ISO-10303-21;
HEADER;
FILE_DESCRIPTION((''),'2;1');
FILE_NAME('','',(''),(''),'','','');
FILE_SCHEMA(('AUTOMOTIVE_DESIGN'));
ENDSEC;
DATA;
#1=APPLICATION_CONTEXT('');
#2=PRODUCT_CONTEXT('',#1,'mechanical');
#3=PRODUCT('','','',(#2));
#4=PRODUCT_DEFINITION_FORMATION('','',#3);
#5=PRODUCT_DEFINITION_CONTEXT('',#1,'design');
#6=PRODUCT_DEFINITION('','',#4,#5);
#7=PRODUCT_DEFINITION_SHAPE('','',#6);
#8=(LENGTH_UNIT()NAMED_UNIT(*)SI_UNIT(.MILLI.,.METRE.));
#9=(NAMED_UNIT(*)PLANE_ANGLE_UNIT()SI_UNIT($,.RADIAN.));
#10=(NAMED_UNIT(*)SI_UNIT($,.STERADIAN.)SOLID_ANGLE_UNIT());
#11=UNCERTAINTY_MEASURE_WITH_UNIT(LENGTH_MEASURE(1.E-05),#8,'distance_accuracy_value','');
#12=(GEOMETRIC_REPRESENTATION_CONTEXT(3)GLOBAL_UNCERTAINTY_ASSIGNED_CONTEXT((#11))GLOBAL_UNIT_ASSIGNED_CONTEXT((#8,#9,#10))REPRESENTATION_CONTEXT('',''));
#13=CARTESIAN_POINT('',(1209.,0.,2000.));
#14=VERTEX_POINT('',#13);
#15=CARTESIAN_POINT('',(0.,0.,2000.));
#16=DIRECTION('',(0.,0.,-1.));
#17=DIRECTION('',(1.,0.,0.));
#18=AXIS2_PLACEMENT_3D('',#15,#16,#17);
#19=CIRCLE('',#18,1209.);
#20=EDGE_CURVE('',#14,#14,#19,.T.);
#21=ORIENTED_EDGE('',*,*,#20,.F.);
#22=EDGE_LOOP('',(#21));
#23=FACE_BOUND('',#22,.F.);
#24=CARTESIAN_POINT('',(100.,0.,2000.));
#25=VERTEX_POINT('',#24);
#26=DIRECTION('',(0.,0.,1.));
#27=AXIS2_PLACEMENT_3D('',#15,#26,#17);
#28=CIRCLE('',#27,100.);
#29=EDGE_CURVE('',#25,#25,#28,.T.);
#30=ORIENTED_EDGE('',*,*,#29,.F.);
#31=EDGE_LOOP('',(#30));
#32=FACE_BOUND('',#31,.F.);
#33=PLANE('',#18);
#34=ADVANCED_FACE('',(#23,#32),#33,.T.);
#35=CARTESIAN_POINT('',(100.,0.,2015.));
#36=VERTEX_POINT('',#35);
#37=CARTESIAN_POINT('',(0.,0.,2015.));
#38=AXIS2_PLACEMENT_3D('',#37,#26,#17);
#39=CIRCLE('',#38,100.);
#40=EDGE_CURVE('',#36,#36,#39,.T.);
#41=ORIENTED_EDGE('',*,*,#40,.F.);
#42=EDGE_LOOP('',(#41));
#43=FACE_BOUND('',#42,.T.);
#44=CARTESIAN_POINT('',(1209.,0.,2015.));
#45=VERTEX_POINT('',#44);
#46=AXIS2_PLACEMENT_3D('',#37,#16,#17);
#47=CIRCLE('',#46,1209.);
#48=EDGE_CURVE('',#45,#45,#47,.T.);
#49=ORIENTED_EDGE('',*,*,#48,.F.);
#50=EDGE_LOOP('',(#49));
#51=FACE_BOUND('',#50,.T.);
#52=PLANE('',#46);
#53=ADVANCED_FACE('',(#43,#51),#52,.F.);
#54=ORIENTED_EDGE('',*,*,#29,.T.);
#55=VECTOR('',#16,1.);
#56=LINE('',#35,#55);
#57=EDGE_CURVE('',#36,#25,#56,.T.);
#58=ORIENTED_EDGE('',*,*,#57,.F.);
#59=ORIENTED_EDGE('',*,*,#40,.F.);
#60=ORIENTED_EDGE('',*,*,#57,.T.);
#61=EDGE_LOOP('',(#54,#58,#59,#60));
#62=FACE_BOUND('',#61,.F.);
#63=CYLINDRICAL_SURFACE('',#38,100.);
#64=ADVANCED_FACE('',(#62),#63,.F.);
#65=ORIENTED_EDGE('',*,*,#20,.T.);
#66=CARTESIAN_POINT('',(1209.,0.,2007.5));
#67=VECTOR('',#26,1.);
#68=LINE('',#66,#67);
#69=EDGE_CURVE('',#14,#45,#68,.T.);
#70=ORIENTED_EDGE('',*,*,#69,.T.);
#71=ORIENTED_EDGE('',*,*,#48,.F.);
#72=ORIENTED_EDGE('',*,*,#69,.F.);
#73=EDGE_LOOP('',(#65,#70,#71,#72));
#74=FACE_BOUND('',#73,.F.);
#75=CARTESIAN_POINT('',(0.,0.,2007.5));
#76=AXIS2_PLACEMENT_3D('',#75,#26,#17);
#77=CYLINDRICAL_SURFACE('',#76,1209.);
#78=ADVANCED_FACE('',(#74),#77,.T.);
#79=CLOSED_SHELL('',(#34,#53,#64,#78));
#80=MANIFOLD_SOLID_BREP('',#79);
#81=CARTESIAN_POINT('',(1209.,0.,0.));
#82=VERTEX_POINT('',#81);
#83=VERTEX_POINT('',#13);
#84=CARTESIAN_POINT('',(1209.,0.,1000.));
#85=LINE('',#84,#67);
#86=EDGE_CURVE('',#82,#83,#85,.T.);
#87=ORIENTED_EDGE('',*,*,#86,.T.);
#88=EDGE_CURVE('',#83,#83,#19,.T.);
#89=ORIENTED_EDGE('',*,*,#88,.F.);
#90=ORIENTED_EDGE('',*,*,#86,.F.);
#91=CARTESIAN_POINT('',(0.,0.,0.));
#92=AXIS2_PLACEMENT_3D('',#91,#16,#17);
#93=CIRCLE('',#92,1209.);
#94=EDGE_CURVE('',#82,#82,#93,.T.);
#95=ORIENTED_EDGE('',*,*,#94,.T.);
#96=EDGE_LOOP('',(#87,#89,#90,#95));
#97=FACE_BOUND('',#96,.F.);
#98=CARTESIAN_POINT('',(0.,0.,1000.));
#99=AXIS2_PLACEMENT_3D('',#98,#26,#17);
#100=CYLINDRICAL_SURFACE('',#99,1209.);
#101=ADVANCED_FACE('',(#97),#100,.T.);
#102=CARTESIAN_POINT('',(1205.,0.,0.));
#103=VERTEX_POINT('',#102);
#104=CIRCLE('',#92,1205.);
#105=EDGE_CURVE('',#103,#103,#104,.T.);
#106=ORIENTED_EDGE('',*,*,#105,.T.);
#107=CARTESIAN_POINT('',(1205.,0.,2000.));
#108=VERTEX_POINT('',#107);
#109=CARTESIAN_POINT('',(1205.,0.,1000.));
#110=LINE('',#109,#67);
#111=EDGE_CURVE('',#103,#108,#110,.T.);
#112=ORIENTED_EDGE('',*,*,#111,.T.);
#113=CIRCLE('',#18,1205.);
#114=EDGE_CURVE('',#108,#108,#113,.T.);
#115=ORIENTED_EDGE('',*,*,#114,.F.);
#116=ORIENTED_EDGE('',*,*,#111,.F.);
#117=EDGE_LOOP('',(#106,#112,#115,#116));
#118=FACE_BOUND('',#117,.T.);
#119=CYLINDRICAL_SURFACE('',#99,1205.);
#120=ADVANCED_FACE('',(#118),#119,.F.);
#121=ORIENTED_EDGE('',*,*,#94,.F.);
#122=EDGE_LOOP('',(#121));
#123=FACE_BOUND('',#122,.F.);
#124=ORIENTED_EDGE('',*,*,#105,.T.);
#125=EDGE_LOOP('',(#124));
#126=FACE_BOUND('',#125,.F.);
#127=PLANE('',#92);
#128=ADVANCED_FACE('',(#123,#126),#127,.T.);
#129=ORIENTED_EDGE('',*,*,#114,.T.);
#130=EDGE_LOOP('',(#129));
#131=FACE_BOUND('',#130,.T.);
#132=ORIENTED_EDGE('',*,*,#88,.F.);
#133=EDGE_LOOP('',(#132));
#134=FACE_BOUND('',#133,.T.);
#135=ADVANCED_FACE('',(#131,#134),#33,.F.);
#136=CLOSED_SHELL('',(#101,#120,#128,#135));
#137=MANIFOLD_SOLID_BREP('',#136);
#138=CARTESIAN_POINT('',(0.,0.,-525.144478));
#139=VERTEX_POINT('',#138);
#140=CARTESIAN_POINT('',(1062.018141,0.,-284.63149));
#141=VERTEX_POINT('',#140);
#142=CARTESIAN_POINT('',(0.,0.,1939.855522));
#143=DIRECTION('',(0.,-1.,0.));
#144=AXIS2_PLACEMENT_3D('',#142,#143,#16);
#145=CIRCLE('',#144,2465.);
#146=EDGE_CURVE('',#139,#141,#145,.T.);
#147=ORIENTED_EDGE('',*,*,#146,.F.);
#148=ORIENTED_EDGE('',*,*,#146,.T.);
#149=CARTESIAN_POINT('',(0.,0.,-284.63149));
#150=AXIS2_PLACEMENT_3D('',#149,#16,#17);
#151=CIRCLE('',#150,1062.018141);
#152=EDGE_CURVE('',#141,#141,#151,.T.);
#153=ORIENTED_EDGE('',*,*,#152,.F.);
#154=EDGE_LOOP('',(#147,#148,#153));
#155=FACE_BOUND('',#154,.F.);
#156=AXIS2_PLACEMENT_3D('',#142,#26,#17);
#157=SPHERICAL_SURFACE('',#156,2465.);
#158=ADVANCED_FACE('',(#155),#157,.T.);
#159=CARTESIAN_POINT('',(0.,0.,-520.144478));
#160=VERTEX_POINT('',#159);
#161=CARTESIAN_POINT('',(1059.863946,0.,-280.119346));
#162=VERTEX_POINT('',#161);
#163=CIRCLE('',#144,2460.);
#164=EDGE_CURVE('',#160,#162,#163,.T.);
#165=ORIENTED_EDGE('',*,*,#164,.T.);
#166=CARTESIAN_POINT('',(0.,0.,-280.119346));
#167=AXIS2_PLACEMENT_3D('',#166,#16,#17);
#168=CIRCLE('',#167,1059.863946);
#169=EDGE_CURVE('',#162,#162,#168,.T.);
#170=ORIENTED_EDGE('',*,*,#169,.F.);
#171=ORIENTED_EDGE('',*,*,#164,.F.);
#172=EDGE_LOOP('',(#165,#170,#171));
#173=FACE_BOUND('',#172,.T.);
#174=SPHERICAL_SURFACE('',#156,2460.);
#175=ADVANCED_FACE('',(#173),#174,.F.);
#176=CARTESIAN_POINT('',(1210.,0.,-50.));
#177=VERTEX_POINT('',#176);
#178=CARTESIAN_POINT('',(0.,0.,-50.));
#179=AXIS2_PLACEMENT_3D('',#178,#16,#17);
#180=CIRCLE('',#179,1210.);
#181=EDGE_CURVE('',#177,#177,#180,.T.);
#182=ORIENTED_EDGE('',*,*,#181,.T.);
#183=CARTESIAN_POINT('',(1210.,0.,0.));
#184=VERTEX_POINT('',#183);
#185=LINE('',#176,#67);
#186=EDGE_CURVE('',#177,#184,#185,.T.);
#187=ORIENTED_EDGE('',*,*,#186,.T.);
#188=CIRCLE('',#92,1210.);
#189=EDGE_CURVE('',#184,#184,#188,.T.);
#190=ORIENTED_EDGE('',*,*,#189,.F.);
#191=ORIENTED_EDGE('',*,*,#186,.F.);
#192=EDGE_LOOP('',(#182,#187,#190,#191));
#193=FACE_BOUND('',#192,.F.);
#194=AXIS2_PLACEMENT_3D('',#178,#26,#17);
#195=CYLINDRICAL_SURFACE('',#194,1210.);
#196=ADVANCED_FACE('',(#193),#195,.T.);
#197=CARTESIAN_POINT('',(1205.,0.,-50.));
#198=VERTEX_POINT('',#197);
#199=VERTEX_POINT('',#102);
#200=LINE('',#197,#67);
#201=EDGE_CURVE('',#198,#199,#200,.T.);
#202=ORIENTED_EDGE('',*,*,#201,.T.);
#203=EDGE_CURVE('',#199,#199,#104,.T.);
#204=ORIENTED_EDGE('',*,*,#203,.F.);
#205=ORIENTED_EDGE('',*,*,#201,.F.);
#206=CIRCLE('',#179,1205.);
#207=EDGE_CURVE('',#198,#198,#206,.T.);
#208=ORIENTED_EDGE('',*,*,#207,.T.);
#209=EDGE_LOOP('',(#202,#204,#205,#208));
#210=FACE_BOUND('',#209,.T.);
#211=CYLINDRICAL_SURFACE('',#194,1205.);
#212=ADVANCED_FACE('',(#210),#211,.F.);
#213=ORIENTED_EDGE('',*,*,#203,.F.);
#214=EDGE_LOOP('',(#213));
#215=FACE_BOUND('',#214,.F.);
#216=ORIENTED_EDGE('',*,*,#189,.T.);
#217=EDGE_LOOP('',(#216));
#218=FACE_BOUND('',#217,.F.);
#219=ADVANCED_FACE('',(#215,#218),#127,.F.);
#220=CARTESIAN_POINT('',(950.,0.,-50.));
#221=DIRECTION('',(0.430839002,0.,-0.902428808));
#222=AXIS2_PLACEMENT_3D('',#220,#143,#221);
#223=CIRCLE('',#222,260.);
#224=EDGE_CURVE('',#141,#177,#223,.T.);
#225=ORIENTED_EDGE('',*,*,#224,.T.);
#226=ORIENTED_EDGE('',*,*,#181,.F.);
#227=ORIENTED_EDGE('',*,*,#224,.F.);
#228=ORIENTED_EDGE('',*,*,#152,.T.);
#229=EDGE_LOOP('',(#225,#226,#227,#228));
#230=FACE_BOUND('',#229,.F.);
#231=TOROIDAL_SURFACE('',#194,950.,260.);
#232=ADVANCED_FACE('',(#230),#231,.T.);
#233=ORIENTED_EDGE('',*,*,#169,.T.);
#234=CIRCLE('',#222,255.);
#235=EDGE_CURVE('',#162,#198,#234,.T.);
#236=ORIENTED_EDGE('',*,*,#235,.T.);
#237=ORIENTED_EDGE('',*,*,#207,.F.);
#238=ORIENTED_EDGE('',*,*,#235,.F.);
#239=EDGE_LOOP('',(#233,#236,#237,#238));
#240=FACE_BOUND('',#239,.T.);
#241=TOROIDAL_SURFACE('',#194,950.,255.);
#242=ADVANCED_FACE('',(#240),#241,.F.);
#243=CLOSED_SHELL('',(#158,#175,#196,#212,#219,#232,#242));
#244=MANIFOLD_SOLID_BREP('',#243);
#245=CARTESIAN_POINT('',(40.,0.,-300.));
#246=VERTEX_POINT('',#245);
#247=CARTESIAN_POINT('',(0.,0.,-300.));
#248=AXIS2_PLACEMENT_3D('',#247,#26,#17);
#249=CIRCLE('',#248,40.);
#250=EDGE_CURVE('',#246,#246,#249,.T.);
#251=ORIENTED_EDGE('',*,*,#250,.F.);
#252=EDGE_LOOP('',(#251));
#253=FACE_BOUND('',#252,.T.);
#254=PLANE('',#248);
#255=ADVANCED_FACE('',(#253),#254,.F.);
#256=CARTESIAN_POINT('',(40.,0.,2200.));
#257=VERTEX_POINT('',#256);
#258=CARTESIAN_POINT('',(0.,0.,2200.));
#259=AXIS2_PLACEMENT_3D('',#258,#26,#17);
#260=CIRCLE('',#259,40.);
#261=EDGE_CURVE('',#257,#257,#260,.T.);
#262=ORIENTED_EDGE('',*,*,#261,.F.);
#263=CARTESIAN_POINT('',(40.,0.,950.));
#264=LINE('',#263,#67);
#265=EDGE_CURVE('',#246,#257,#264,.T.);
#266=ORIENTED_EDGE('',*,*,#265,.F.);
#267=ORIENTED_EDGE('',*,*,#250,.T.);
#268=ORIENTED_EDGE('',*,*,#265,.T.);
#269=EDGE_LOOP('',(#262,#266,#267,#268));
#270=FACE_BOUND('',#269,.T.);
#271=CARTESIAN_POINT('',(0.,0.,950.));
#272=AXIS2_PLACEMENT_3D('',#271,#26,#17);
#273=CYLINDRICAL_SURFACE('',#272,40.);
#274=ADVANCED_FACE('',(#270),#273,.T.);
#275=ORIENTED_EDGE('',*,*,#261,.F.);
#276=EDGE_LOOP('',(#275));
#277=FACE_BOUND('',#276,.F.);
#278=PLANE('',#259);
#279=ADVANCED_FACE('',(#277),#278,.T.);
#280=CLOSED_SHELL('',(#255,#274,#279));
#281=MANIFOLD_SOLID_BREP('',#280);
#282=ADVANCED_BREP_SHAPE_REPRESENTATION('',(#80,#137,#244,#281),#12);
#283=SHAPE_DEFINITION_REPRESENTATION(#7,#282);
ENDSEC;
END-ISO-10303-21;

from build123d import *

# Parameters (mm, degrees)
F9_T     = -5
F10_W    = 4
F10_H    = 2000
F11_W    = 1209
F11_H    = 15
F3_R     = 100
F4_DEPTH = 2540.1454776065
F12_W    = 40
F12_H    = 2500


with BuildPart() as f8:
    # F0 (on Front) → F8 (revolve)
    with BuildSketch(Plane.XZ):
        with BuildLine():
            Line((0, 0), (0, -525.1444776065))
            ThreePointArc((0, -525.1444776065), (544.4559275248, -464.2644294772), (1062.0181405896, -284.6314901689))
            ThreePointArc((1062.0181405896, -284.6314901689), (1169.9144339889, -188.6998259673), (1210, -50))
            Line((1210, -50), (1210, 0))
            Line((1210, 0), (0, 0))
        make_face()
    revolve(axis=Axis((0, 0, -262.5722388032), (0, 0, -1)))

    # F9
    f9_openings = [f8.faces().sort_by_distance(p)[0] for p in [
        (0, 0, 0),
    ]]
    offset(amount=F9_T, openings=f9_openings)


with BuildPart() as f1:
    # F10 (on Front) → F1 (revolve)
    with BuildSketch(Plane.XZ):
        with Locations((1207, 1000)):
            Rectangle(F10_W, F10_H)
    revolve(axis=Axis((0, 0, -262.5722388032), (0, 0, -1)))


with BuildPart() as f2:
    # F11 (on Front) → F2 (revolve)
    with BuildSketch(Plane.XZ):
        with Locations((604.5, 2007.5)):
            Rectangle(F11_W, F11_H)
    revolve(axis=Axis((0, 0, 2007.5), (0, 0, -1)))

    # F3 (on face) → F4 (cut, through all)
    with BuildSketch(Plane.XY.offset(2015)):
        Circle(F3_R)
    extrude(amount=-F4_DEPTH, mode=Mode.SUBTRACT)


with BuildPart() as f6:
    # F12 (on Front) → F6 (revolve)
    with BuildSketch(Plane.XZ):
        with Locations((20, 950)):
            Rectangle(F12_W, F12_H)
    revolve(axis=Axis((0, 0, 78.9392143488), (0, 0, 1)))


solid = Compound([f8.part, f1.part, f2.part, f6.part])
